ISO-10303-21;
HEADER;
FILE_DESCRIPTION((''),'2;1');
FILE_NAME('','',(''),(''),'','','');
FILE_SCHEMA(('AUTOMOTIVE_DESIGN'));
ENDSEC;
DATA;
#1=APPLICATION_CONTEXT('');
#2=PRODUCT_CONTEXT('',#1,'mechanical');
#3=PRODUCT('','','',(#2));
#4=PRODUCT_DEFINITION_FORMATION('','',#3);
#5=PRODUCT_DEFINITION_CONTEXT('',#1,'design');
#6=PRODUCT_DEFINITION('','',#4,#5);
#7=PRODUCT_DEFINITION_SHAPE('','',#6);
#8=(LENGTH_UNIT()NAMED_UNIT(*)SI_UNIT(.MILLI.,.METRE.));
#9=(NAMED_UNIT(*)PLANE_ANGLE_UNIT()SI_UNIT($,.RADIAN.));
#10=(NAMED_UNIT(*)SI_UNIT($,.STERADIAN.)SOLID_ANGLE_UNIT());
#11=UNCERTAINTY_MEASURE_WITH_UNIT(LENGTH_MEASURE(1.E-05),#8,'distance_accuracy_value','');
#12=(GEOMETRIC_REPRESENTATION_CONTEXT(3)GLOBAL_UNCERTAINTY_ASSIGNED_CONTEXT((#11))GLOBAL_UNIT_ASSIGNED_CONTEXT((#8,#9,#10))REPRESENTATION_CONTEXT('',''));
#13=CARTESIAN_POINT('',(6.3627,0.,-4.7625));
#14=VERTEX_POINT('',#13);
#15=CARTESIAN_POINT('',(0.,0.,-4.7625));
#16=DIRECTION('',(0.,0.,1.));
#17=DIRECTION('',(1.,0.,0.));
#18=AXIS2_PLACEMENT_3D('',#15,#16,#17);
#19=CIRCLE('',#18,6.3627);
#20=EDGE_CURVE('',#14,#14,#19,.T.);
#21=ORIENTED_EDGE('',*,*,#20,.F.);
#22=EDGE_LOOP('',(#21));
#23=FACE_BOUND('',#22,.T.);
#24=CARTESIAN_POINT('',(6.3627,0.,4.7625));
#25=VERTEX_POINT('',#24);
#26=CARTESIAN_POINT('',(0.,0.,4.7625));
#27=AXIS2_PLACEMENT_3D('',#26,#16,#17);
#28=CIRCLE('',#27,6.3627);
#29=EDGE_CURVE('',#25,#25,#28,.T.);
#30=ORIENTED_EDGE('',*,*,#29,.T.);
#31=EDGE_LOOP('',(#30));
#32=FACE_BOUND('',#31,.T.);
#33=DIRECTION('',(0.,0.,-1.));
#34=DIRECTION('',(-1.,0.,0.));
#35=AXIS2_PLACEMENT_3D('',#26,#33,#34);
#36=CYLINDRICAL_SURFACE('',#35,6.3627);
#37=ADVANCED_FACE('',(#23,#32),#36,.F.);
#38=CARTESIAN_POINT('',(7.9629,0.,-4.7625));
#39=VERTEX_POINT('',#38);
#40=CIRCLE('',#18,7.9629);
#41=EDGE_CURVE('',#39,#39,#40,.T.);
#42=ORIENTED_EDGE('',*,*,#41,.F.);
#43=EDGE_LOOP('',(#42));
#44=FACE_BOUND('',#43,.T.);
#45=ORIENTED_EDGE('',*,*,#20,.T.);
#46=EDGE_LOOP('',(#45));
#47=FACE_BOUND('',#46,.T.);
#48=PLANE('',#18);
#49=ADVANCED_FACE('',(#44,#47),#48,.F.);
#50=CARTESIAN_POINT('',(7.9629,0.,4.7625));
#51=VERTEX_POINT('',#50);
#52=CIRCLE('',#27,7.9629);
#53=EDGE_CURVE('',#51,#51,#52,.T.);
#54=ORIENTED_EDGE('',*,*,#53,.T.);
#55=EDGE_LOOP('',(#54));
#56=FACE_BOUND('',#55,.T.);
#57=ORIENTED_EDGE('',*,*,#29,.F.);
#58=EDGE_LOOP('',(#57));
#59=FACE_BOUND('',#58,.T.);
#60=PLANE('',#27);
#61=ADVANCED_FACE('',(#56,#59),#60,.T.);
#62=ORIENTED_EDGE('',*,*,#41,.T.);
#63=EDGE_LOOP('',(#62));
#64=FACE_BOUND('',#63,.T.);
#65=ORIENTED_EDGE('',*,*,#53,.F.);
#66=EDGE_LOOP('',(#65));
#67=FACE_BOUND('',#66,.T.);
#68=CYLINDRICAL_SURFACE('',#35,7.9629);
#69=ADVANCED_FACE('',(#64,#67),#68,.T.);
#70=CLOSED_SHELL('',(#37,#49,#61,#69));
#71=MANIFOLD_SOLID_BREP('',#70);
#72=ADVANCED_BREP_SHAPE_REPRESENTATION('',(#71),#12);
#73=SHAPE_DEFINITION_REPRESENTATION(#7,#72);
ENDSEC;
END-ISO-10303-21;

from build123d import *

# Parameters (mm, degrees)
SKETCH1_R      = 7.9629
SKETCH1_R_2    = 6.3627
EXTRUDE1_DEPTH = 4.7625


with BuildPart() as part:
    # Sketch1 → Extrude1 (new body, symmetric)
    with BuildSketch(Plane.XY):
        Circle(SKETCH1_R)
        Circle(SKETCH1_R_2, mode=Mode.SUBTRACT)
    extrude(amount=EXTRUDE1_DEPTH, both=True)


solid = part.part
